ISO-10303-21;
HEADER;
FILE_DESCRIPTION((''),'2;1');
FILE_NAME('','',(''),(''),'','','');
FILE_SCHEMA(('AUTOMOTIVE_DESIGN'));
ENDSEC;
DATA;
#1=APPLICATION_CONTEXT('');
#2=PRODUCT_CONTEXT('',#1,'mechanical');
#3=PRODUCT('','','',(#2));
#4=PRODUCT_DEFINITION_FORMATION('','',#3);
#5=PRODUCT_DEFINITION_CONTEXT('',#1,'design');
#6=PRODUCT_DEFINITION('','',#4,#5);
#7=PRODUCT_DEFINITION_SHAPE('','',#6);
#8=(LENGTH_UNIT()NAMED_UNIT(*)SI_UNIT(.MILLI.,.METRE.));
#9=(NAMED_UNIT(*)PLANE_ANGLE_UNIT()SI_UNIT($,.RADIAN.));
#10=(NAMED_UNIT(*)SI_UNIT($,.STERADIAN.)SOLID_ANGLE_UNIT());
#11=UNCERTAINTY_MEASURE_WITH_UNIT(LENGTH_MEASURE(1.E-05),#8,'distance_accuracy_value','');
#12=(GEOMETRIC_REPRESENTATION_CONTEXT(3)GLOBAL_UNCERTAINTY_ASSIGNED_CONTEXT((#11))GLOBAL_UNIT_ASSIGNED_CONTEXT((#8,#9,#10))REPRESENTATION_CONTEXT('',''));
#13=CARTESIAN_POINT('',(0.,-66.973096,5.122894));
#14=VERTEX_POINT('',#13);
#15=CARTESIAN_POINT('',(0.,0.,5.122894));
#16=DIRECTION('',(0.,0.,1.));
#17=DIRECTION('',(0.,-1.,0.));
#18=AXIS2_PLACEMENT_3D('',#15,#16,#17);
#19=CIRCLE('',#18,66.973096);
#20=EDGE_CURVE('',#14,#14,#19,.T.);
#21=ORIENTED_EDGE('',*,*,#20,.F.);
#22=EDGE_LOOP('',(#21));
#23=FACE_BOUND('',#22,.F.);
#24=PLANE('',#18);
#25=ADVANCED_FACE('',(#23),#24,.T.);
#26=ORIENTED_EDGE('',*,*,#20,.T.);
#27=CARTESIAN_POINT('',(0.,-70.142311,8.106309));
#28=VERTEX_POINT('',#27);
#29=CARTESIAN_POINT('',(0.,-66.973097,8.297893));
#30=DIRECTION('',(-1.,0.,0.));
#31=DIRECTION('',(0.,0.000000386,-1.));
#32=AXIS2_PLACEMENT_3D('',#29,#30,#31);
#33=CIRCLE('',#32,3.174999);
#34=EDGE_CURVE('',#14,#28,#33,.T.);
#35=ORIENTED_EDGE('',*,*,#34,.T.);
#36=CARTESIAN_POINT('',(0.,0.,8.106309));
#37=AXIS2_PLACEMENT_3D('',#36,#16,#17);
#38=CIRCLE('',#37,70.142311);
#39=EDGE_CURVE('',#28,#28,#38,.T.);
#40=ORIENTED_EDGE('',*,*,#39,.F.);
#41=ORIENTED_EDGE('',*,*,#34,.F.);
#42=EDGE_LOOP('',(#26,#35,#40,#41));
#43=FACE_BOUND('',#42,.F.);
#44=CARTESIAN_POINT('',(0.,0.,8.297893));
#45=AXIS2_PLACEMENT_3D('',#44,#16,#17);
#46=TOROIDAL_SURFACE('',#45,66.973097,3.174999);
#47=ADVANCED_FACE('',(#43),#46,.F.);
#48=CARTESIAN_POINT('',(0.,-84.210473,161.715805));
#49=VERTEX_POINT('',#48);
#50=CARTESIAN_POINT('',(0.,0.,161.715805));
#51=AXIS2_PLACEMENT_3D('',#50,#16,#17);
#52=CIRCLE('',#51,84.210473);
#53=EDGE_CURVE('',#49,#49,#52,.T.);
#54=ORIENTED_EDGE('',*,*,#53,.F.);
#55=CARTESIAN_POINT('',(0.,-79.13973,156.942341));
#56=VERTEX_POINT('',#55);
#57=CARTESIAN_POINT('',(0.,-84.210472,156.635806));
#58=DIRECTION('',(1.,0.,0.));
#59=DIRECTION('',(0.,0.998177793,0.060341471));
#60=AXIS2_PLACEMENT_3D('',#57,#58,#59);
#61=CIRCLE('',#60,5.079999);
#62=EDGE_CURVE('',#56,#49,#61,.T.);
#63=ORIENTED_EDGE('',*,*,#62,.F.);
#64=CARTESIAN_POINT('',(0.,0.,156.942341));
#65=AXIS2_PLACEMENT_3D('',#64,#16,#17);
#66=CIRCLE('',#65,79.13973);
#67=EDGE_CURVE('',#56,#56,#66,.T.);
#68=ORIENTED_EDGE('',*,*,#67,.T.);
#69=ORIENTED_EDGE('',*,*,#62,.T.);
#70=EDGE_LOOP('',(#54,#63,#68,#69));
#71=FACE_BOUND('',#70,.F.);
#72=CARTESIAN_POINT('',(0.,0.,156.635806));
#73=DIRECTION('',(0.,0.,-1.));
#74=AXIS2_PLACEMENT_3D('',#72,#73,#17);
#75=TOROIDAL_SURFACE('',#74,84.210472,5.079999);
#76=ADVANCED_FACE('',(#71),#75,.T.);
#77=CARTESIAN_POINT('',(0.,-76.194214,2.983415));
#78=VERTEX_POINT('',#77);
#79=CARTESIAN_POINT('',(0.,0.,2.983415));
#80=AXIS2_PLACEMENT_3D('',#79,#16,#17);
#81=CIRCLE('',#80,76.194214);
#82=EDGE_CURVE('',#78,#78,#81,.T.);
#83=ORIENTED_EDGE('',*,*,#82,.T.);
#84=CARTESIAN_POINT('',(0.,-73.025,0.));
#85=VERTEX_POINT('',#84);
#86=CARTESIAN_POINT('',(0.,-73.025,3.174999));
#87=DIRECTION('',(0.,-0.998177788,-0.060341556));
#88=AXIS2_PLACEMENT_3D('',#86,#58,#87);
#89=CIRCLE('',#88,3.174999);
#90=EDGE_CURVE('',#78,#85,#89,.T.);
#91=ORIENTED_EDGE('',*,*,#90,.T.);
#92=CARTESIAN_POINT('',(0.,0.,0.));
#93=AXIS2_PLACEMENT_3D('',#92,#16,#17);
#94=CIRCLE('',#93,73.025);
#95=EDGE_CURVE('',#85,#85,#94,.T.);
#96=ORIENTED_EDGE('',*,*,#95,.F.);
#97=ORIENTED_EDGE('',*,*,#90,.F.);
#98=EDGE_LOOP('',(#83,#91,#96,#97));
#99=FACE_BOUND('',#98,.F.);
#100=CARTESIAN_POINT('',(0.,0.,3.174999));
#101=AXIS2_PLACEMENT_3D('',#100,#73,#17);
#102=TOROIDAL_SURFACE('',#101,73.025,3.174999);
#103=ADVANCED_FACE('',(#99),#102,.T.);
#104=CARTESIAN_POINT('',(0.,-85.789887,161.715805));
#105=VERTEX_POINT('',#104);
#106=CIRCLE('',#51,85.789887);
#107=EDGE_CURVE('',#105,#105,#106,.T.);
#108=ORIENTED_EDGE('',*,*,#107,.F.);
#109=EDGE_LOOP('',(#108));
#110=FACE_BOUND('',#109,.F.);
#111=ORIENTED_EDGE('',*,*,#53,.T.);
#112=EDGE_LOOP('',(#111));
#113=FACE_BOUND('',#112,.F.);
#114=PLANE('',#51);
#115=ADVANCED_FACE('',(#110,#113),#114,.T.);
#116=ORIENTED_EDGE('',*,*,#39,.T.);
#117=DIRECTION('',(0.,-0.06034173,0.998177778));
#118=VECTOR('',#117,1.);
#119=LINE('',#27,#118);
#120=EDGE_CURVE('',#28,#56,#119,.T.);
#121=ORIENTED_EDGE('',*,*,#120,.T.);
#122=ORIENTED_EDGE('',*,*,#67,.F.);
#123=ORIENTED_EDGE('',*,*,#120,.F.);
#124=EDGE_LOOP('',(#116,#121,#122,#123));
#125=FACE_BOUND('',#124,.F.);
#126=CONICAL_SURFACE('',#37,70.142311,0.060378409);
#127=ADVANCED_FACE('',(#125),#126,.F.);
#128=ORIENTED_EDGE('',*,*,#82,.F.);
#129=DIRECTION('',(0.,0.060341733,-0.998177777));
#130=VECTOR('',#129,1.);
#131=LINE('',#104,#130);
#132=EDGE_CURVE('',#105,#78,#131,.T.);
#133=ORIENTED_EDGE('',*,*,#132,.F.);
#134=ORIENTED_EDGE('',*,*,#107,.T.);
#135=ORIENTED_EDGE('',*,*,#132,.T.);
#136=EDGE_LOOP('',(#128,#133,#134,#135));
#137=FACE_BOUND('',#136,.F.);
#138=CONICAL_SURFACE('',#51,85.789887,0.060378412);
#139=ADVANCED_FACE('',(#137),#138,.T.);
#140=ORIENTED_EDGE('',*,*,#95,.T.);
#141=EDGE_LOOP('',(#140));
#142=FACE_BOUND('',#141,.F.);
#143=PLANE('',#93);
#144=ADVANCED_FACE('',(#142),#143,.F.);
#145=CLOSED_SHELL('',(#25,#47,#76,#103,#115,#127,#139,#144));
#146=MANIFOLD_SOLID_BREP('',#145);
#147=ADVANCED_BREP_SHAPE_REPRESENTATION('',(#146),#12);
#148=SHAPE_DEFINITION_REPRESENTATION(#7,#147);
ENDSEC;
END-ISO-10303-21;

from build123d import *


with BuildPart() as f1:
    # F0 (on Right) → F1 (revolve)
    with BuildSketch(Plane.YZ):
        with BuildLine():
            Line((-73.025, 0), (0, 0))
            Line((0, 0), (0, 5.122894))
            Line((0, 5.122894), (-66.973096, 5.122894))
            ThreePointArc((-66.973096, 5.122894), (-69.149371, 5.986086), (-70.142311, 8.106309))
            Line((-70.142311, 8.106309), (-79.13973, 156.942341))
            ThreePointArc((-79.13973, 156.942341), (-80.728433, 160.334697), (-84.210473, 161.715805))
            Line((-84.210473, 161.715805), (-85.789887, 161.715805))
            Line((-85.789887, 161.715805), (-76.194214, 2.983415))
            ThreePointArc((-76.194214, 2.983415), (-75.201275, 0.863193), (-73.025, 0))
        make_face()
    revolve(axis=Axis((0, 0, 2.561447), (0, 0, 1)))


solid = f1.part
